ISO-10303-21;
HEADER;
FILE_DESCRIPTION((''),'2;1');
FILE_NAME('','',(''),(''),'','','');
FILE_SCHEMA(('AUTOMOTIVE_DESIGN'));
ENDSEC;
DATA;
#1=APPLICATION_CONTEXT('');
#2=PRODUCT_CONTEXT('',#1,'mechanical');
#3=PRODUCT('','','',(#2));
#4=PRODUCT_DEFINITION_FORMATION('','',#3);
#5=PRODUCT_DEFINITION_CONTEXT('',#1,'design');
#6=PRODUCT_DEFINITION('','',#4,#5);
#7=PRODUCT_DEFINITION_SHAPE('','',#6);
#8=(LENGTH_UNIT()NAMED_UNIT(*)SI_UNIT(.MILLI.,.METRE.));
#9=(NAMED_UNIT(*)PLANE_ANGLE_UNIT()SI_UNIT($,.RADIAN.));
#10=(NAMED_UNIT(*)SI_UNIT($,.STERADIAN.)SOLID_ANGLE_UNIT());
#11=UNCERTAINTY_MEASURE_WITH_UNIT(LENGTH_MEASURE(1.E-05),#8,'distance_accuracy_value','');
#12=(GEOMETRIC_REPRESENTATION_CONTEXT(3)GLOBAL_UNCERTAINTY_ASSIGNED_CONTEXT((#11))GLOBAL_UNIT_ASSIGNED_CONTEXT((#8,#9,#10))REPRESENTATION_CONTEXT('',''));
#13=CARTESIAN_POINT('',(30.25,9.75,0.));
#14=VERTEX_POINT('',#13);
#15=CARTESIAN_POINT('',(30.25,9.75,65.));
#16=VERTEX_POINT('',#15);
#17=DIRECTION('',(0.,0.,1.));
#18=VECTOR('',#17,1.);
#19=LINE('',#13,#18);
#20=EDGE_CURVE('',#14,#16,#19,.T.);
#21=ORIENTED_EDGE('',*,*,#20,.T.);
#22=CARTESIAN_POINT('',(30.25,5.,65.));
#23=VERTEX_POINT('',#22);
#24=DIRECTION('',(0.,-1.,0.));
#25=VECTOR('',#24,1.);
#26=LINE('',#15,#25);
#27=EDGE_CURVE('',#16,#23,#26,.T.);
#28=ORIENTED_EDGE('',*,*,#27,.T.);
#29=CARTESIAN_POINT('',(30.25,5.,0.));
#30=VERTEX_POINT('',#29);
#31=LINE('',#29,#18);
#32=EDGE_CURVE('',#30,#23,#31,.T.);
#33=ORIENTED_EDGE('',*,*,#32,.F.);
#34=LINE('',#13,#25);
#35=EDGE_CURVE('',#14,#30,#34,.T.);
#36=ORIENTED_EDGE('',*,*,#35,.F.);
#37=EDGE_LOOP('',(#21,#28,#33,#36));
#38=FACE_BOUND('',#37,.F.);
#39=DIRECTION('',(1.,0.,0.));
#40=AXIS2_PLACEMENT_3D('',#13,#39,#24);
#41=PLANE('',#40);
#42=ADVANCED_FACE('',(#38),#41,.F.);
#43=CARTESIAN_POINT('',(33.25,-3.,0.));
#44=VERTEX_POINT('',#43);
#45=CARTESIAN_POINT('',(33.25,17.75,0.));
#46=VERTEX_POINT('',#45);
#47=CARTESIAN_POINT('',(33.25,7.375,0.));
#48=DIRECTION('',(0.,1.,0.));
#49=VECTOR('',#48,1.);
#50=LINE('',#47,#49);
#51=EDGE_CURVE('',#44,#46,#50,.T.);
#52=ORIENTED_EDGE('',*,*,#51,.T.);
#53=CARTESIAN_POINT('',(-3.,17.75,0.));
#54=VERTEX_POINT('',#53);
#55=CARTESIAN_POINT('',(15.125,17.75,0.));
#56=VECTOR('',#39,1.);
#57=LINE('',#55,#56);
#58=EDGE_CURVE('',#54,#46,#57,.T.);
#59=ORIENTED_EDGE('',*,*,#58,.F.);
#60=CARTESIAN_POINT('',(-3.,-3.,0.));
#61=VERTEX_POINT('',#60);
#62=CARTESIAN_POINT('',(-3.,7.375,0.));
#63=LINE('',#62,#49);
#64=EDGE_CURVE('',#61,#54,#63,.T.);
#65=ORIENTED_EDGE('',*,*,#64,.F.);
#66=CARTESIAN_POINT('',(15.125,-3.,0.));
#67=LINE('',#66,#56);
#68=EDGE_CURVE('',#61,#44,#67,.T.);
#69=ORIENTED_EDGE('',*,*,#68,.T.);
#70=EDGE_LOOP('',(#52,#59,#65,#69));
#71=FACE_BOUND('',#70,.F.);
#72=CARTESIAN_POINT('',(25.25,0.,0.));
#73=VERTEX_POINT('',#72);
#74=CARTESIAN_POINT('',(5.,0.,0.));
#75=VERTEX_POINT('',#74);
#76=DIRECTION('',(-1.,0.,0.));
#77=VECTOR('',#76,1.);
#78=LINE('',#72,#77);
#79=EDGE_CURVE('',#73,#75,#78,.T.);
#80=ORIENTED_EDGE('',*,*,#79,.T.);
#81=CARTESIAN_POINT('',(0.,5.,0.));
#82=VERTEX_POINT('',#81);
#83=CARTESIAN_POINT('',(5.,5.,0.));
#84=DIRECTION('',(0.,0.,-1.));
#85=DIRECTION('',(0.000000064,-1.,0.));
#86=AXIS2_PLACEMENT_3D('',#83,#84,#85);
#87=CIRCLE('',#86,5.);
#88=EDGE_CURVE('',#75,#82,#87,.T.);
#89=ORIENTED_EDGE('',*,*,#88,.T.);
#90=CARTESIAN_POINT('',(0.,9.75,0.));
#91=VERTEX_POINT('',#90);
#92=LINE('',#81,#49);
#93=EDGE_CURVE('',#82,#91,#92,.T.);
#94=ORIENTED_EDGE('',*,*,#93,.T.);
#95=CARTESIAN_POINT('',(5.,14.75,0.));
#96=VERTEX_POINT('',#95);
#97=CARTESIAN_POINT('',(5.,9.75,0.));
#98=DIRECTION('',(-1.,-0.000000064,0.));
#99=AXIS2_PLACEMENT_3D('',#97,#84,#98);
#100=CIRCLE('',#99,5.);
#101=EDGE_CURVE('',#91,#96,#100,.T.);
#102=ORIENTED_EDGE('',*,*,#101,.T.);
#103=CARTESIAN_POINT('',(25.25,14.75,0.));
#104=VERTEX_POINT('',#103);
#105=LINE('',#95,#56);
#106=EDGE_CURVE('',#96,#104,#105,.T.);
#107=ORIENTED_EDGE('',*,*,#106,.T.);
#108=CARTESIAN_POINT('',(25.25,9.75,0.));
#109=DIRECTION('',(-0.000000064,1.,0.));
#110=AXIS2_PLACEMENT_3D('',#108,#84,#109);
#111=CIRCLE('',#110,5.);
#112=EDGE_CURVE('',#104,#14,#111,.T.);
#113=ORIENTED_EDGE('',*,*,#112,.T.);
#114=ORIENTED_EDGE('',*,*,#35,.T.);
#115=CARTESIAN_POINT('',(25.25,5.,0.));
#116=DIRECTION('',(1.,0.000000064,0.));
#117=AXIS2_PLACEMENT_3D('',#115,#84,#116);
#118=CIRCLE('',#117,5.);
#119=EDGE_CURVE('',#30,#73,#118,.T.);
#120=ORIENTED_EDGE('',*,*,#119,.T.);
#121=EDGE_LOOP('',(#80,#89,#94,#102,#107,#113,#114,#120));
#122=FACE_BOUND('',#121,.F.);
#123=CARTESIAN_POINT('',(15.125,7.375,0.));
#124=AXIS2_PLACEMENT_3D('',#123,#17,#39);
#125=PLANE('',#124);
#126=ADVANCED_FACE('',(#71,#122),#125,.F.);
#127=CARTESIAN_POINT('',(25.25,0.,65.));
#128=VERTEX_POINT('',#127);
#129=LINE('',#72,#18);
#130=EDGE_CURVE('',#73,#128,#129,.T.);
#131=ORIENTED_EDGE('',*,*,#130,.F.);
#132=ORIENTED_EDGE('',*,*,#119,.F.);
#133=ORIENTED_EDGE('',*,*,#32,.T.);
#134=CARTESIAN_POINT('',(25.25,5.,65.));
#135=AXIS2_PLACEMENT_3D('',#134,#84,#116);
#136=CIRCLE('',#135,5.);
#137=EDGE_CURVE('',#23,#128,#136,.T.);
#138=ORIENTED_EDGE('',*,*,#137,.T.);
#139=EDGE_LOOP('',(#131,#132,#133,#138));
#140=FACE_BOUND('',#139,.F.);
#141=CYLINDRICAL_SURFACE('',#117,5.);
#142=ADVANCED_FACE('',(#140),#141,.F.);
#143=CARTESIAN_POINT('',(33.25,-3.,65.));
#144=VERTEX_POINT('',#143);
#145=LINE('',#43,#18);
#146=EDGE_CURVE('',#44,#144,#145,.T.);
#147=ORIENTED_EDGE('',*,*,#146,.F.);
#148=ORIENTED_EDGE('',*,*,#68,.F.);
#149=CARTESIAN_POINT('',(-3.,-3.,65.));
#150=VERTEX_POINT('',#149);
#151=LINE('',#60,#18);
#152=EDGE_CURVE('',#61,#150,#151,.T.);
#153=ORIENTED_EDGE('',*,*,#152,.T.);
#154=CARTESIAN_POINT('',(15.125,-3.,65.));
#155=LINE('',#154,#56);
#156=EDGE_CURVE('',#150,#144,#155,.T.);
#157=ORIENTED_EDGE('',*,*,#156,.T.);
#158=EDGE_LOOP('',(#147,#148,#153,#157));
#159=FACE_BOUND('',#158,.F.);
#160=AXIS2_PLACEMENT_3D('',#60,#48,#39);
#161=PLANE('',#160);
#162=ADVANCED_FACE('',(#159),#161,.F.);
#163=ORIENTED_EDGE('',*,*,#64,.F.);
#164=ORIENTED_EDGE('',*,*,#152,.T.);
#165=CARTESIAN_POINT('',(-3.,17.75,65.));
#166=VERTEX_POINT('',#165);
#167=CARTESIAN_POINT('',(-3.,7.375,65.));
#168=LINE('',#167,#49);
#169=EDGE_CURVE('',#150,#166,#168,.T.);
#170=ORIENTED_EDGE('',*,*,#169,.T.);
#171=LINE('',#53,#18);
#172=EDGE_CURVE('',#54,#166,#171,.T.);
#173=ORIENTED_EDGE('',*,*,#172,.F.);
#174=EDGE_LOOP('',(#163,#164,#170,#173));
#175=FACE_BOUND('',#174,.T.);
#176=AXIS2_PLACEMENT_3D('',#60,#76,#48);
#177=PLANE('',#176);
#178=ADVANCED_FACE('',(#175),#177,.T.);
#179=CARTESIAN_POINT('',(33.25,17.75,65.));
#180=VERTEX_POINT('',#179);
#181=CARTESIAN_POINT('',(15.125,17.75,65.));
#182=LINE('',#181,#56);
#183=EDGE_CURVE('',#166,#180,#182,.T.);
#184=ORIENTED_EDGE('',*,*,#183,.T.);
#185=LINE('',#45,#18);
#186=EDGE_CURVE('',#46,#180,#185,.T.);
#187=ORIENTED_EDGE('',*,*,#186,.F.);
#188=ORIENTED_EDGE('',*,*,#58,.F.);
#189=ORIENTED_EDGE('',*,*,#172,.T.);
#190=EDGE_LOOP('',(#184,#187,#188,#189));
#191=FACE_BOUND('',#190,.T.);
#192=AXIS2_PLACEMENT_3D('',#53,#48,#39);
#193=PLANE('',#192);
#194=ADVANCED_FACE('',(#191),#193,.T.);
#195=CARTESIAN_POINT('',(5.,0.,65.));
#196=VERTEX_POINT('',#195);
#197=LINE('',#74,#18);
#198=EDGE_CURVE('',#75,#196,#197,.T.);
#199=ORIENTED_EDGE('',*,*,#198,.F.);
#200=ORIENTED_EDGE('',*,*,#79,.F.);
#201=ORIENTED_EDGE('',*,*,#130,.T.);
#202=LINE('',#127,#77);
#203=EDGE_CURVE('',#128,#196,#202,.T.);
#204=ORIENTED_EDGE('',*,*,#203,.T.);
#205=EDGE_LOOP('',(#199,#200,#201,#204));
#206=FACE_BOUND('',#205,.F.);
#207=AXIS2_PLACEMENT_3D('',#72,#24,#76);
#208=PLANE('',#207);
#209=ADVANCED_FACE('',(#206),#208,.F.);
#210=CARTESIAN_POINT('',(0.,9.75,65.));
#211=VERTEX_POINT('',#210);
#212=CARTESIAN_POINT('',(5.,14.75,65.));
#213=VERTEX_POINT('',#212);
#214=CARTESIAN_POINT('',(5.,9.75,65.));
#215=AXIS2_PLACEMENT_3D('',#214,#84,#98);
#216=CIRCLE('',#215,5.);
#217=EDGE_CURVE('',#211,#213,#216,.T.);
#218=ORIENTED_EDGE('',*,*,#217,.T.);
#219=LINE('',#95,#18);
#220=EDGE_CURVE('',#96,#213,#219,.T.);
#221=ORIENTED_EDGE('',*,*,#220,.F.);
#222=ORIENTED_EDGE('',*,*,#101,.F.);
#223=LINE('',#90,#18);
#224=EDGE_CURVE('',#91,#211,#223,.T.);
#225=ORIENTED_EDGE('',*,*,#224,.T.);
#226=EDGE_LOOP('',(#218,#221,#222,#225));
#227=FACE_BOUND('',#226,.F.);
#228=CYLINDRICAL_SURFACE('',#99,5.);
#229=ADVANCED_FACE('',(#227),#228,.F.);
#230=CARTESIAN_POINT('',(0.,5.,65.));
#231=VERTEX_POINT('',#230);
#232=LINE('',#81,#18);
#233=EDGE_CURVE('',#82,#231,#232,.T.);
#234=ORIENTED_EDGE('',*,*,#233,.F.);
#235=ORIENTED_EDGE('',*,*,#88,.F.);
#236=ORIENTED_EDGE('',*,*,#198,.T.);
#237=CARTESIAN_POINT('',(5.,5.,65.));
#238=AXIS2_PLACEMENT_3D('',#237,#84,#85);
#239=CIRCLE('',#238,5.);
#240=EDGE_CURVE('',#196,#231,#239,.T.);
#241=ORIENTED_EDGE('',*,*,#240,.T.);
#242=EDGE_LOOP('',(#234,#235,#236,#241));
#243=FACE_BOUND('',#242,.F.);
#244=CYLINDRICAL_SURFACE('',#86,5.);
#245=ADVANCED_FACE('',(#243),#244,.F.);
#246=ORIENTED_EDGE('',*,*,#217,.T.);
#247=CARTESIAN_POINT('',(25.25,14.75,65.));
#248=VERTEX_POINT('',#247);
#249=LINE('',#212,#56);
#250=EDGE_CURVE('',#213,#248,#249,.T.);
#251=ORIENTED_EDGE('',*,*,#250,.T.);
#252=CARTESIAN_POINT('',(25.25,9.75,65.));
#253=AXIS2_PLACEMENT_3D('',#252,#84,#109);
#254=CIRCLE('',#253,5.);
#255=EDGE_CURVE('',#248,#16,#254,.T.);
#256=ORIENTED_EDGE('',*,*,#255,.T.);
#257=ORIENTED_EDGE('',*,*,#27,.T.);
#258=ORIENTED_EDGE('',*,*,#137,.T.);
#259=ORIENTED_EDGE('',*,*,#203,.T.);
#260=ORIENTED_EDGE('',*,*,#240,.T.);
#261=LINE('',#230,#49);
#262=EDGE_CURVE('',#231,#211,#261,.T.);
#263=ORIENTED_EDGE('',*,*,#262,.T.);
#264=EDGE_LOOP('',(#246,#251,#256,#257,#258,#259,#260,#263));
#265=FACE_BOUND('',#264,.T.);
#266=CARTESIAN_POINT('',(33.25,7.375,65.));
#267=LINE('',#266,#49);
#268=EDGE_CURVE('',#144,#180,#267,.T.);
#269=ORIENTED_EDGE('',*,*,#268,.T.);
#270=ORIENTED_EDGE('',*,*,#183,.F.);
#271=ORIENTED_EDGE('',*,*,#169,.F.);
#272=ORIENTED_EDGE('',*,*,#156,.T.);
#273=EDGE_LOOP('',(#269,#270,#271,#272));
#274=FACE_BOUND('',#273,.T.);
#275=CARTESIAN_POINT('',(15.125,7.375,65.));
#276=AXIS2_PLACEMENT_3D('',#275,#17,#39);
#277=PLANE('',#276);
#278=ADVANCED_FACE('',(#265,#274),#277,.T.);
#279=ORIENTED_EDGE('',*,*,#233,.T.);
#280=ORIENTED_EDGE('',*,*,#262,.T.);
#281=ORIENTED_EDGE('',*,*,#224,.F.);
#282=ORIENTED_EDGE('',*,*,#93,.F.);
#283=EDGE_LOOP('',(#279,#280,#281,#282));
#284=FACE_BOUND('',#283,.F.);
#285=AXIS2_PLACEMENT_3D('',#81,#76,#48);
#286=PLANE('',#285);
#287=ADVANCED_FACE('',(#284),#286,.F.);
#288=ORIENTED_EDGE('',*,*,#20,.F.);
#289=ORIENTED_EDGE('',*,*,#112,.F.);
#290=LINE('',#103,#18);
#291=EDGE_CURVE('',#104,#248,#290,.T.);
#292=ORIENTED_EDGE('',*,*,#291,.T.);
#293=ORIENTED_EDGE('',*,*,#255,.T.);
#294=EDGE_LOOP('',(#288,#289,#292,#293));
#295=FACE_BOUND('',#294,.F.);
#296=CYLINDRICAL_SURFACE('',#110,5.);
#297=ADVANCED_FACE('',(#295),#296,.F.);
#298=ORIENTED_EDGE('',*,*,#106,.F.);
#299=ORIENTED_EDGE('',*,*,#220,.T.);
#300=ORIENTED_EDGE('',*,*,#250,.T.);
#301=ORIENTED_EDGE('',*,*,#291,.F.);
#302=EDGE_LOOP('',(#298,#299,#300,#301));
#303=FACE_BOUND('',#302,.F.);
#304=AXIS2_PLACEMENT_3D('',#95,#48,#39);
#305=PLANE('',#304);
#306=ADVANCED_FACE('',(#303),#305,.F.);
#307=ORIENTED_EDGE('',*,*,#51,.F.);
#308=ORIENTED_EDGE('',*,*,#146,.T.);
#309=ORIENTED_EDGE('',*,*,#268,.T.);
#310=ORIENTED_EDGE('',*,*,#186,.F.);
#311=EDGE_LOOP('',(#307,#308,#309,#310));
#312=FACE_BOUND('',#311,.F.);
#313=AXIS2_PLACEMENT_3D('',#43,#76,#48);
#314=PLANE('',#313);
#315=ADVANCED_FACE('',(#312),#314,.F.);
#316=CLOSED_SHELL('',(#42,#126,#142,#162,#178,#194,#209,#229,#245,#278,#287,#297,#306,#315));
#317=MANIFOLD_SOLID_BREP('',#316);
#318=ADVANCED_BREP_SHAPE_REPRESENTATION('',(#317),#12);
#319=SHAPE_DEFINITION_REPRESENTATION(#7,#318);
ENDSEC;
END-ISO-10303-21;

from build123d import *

# Parameters (mm, degrees)
F1_W     = 36.25
F1_H     = 20.75
F2_DEPTH = 65


with BuildPart() as f2:
    # F1 (on face) → F2 (new body)
    with BuildSketch(Plane.XY):
        with Locations((15.125, 7.375)):
            Rectangle(F1_W, F1_H)
        with BuildLine():
            ThreePointArc((5, 0), (1.464466, 1.464466), (0, 5))
            Line((0, 5), (0, 9.75))
            ThreePointArc((0, 9.75), (1.464466, 13.285534), (5, 14.75))
            Line((5, 14.75), (25.25, 14.75))
            ThreePointArc((25.25, 14.75), (28.785534, 13.285534), (30.25, 9.75))
            Line((30.25, 9.75), (30.25, 5))
            ThreePointArc((30.25, 5), (28.785534, 1.464466), (25.25, 0))
            Line((25.25, 0), (5, 0))
        make_face(mode=Mode.SUBTRACT)
    extrude(amount=F2_DEPTH)


solid = f2.part
